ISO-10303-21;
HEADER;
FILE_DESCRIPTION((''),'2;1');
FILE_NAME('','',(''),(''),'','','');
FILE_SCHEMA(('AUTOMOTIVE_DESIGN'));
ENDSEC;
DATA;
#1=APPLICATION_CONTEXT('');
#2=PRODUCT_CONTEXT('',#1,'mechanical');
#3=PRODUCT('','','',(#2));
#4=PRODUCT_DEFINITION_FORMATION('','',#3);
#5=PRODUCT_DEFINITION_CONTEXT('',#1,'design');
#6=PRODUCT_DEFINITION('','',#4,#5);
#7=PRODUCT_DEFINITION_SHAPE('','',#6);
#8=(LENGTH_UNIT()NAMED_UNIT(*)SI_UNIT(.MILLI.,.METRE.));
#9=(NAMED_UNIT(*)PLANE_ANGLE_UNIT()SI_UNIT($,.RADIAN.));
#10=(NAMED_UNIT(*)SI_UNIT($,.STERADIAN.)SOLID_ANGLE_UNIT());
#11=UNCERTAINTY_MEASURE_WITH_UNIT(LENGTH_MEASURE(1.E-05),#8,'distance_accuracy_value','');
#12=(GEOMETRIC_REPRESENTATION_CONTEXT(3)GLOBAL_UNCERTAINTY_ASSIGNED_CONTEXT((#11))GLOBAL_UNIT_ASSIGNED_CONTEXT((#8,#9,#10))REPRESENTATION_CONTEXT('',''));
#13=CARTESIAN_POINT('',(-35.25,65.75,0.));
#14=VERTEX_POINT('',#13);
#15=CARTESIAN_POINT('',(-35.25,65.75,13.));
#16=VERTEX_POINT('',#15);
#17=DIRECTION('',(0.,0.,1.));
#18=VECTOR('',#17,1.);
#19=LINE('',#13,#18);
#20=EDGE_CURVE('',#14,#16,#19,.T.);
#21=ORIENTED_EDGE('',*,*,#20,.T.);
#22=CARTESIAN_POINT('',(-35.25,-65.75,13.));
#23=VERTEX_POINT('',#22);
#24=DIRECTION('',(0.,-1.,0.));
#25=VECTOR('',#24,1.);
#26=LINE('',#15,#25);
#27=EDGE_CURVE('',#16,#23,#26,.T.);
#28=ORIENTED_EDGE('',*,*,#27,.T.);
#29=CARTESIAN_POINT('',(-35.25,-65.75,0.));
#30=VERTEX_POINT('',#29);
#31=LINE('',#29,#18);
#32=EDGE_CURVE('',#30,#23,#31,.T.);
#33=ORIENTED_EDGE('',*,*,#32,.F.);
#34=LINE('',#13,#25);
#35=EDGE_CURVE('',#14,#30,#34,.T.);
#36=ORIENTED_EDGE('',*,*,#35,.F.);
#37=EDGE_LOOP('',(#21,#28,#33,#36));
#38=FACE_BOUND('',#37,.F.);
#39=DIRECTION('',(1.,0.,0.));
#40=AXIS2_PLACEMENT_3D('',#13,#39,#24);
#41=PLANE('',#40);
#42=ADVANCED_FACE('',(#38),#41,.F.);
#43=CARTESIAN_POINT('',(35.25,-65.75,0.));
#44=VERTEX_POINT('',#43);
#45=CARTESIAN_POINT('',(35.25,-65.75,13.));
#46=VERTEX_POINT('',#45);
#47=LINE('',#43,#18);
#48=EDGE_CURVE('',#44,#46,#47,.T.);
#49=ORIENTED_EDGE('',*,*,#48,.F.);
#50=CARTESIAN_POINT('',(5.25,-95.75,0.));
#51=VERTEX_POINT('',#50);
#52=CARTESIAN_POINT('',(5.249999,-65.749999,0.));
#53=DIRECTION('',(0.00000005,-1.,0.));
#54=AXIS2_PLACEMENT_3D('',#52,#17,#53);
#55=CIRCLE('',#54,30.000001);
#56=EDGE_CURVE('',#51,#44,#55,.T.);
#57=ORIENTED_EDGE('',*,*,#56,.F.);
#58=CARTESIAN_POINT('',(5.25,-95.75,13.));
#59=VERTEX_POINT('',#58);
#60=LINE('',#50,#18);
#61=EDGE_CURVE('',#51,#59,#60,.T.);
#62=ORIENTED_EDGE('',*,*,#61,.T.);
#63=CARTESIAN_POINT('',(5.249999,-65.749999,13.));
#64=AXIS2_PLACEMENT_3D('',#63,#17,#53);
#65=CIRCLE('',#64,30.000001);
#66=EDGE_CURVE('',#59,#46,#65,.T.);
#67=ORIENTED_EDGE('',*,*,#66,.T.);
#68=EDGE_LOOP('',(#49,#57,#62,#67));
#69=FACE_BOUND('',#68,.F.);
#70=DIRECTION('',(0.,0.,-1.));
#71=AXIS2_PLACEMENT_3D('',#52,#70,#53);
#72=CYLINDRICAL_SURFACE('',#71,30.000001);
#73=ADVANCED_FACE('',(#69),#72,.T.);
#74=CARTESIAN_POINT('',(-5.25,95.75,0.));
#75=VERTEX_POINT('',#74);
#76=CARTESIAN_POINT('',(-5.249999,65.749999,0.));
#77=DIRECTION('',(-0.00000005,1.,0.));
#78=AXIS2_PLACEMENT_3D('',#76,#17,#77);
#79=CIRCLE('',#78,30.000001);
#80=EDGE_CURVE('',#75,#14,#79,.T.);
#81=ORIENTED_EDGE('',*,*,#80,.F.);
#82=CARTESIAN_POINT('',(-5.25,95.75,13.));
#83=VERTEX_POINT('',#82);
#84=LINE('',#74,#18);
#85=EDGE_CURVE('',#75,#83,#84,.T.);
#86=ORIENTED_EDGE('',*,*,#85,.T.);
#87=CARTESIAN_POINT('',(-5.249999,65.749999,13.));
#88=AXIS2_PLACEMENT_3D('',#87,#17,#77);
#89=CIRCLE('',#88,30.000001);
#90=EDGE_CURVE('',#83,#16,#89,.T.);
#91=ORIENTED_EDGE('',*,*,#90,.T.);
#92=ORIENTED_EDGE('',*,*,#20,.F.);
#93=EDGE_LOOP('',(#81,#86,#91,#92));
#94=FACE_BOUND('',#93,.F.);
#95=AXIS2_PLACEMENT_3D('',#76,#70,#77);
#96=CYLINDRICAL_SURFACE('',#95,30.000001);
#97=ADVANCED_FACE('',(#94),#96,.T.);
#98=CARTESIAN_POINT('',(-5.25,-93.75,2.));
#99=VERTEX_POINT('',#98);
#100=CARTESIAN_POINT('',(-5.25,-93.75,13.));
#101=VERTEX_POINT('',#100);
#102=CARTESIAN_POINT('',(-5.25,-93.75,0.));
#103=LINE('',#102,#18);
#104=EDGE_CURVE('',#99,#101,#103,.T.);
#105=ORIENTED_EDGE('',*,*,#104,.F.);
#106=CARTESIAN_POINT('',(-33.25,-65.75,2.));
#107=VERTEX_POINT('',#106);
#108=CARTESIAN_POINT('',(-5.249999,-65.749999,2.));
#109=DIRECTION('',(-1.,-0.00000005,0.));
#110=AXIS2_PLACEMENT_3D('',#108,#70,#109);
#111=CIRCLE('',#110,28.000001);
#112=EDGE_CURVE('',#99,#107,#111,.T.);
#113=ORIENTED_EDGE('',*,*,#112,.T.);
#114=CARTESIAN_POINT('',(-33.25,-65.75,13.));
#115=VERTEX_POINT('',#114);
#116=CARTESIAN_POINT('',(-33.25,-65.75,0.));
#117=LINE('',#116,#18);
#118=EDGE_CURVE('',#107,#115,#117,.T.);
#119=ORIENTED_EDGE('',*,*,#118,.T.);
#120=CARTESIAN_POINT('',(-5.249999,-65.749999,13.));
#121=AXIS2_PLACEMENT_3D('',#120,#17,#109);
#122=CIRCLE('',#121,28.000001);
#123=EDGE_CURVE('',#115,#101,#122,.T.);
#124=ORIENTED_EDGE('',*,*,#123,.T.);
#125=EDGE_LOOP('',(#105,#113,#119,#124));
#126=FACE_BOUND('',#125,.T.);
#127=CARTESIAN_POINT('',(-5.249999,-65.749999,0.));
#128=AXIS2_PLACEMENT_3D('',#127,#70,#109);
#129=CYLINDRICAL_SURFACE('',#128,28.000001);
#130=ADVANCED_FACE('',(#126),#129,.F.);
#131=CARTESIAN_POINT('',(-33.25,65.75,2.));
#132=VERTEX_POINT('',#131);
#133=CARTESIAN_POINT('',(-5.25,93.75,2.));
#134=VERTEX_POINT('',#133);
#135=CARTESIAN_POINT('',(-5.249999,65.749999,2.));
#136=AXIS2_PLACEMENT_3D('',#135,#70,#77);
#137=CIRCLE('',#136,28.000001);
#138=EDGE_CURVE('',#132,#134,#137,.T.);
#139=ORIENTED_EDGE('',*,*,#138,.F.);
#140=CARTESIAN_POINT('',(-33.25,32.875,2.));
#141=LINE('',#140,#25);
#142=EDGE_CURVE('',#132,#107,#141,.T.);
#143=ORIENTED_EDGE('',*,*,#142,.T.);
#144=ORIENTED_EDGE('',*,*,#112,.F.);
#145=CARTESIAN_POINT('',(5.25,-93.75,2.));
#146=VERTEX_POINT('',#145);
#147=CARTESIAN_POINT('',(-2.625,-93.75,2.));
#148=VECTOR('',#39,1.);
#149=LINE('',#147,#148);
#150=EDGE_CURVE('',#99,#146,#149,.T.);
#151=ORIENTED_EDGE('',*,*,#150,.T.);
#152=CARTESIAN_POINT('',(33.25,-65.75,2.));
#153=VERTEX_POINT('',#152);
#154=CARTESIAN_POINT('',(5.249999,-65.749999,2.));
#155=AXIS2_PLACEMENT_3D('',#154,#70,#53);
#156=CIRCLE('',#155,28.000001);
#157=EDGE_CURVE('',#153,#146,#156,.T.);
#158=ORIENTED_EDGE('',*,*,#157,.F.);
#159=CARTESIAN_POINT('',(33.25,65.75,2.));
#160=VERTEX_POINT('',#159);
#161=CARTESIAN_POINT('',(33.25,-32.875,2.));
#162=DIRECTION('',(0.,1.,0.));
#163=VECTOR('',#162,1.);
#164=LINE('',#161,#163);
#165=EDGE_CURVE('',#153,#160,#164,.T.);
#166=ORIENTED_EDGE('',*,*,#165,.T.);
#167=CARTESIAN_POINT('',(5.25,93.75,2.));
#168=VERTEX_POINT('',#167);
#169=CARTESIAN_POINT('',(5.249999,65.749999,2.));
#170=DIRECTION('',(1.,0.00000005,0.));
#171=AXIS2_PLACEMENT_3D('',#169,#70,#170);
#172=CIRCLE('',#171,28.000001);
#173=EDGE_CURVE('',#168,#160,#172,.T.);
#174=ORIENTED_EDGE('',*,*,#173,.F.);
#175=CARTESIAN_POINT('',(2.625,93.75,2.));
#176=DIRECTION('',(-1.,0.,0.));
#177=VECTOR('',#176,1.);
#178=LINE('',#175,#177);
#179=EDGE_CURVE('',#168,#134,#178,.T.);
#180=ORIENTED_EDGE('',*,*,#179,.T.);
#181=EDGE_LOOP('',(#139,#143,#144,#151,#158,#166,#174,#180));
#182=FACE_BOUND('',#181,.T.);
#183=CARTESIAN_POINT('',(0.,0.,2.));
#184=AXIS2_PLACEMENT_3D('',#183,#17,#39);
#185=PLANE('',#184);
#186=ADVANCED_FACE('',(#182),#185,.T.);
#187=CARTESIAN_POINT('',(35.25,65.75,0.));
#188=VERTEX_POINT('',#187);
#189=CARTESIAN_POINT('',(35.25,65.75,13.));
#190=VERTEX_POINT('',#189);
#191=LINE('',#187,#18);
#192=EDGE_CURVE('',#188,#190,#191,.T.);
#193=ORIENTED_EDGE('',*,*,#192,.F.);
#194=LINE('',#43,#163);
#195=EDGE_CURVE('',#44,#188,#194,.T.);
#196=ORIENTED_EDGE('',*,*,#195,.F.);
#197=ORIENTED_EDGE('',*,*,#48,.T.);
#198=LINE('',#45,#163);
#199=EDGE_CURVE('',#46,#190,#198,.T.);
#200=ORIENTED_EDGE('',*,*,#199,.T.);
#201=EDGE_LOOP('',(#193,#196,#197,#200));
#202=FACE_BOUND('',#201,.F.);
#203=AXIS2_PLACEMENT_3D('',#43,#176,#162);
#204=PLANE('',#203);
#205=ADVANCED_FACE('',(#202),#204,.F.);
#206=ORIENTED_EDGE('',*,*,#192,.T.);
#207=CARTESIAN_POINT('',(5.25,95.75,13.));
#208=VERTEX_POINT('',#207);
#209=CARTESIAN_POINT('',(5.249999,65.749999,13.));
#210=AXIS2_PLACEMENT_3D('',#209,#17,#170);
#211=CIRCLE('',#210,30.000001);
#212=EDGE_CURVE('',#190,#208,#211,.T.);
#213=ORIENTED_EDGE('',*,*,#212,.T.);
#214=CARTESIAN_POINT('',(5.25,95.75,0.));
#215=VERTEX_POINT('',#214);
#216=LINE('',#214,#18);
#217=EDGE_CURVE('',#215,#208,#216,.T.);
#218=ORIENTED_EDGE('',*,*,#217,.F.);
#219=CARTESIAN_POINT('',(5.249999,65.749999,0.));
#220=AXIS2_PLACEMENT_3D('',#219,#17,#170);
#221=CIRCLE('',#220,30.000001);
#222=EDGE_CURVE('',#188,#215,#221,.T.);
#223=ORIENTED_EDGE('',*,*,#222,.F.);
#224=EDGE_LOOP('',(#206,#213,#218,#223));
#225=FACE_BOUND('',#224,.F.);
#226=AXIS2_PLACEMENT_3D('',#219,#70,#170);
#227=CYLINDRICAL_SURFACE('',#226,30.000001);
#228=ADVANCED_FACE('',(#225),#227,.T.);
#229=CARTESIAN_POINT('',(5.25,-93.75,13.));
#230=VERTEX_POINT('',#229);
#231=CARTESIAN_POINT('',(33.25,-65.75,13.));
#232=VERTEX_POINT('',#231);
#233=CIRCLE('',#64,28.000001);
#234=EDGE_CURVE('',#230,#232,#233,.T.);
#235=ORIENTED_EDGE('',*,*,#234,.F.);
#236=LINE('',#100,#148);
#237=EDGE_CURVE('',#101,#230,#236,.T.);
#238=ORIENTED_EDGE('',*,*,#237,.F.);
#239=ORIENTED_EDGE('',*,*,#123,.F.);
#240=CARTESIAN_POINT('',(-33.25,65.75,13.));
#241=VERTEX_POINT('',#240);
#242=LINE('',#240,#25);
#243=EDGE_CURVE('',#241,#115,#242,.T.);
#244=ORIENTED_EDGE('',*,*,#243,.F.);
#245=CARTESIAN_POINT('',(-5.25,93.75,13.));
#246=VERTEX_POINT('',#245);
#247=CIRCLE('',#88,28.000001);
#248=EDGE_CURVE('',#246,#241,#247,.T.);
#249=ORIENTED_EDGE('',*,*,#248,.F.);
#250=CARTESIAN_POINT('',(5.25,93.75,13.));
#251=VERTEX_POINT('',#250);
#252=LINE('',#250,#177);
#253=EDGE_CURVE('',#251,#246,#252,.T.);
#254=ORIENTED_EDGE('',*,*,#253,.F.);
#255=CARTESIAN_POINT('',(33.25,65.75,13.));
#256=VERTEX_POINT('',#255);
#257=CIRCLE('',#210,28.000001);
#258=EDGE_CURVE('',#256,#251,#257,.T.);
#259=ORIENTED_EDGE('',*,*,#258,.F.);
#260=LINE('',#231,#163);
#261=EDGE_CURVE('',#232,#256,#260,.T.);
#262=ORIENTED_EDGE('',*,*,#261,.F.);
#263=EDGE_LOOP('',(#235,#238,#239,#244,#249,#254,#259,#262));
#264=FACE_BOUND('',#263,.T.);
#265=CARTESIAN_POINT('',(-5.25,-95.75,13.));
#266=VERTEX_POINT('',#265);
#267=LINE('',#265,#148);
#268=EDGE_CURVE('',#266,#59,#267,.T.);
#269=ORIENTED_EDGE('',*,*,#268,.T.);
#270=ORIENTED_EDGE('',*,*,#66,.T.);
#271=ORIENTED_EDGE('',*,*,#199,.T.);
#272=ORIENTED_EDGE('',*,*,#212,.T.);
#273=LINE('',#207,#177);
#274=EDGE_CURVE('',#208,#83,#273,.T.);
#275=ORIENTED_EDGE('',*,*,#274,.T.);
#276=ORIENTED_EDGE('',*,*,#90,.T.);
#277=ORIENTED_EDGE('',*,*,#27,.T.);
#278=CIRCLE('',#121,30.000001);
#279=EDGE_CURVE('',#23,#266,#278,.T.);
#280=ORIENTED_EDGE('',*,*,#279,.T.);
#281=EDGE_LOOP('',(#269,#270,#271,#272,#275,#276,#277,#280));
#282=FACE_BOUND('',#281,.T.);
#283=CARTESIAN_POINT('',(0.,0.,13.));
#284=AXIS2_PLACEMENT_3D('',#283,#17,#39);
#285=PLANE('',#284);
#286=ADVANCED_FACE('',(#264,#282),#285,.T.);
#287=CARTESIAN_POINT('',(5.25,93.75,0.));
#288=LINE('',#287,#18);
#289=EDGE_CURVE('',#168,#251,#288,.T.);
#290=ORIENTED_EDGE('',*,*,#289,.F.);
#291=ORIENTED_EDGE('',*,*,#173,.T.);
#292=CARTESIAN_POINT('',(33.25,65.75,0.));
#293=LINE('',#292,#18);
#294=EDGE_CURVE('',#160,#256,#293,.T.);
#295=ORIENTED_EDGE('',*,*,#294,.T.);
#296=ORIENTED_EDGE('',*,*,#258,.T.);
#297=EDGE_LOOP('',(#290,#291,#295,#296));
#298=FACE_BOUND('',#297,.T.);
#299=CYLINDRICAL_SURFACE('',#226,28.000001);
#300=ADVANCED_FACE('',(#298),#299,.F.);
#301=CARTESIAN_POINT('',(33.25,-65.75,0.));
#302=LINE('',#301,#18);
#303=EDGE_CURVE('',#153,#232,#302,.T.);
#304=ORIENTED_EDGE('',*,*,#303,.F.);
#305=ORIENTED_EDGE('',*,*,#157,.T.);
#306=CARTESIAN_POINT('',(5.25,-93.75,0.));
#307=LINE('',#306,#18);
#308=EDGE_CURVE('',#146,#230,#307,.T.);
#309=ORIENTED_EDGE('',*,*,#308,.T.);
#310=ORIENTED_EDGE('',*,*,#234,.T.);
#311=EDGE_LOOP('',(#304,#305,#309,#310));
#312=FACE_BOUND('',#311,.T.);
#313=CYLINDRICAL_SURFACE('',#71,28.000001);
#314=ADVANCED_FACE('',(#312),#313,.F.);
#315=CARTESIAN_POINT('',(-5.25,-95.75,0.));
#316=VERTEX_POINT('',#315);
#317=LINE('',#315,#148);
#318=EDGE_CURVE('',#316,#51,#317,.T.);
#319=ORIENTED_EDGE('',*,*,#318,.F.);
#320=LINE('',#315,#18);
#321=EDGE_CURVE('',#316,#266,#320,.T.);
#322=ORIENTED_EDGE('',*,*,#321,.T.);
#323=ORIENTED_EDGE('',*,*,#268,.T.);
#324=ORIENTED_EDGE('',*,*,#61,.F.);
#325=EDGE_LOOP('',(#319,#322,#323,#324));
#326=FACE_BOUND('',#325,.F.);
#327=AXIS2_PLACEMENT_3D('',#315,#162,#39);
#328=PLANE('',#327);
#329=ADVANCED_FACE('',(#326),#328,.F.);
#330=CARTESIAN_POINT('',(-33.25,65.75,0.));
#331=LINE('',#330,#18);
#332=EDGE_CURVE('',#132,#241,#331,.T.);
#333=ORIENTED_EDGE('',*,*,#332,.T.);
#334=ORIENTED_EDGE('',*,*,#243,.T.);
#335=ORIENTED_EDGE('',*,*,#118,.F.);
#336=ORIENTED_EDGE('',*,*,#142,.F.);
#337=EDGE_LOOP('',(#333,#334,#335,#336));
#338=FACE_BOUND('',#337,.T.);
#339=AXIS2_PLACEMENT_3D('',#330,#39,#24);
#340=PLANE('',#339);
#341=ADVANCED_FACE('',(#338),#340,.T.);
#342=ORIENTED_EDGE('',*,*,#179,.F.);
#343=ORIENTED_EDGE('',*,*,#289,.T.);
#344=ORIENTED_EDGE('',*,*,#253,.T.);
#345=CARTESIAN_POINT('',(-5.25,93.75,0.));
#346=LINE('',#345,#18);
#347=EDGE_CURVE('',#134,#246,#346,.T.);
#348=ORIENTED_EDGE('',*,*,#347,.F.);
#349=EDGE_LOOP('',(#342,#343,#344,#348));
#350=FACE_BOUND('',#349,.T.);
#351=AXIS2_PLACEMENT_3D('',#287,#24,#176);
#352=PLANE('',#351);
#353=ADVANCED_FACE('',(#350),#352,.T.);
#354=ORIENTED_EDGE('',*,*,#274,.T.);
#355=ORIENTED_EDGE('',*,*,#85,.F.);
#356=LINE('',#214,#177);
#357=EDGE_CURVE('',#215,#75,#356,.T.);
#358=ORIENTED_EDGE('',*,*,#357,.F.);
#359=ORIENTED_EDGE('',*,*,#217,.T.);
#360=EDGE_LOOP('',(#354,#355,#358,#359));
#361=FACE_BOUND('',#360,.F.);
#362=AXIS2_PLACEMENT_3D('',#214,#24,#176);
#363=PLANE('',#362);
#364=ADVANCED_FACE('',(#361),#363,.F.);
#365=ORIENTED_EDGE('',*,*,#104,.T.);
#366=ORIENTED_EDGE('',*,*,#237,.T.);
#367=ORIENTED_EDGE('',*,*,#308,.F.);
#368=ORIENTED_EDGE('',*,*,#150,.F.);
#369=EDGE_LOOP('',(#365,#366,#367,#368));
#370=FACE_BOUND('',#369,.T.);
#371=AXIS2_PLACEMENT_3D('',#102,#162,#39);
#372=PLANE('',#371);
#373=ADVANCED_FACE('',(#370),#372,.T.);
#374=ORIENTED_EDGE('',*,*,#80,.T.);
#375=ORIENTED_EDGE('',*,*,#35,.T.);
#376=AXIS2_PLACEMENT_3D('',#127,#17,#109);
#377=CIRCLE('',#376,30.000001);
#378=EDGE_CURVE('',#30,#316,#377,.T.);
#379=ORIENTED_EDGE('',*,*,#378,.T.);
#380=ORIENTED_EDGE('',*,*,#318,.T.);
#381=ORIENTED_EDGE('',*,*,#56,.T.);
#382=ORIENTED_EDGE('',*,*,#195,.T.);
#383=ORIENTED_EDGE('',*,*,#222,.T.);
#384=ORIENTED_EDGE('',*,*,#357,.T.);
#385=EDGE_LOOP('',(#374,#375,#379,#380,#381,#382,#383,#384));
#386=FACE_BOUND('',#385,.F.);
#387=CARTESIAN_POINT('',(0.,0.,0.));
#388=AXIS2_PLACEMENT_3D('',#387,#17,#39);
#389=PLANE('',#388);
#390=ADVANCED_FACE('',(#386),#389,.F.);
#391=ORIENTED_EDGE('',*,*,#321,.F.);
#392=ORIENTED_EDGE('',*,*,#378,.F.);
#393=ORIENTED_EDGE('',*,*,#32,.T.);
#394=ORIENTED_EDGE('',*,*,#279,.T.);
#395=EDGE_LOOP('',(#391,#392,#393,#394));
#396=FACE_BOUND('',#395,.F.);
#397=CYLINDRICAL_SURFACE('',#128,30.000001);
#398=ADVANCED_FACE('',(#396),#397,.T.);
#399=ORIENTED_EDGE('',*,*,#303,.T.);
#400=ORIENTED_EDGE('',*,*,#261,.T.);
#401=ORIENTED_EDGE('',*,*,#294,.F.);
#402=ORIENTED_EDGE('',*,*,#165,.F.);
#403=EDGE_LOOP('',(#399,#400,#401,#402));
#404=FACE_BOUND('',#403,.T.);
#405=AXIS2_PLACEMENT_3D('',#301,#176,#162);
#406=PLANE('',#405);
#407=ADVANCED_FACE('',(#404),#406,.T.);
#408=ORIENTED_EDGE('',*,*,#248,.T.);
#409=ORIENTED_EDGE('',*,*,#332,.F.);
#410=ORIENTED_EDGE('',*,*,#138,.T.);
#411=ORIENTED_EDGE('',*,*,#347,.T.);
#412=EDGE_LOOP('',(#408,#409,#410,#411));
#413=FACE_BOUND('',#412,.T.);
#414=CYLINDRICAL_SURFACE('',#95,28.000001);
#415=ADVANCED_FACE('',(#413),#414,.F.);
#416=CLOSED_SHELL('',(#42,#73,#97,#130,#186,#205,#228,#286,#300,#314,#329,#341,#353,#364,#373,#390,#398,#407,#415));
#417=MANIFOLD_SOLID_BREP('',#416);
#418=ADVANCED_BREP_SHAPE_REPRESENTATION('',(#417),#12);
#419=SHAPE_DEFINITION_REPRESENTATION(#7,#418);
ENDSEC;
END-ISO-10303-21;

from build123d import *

# Parameters (mm, degrees)
F1_DEPTH = 13
F2_T     = -2


with BuildPart() as f1:
    # F0 (on Top) → F1 (new body)
    with BuildSketch(Plane.XY):
        with BuildLine():
            Line((5.25, 95.75), (-5.25, 95.75))
            ThreePointArc((-5.25, 95.75), (-26.463203, 86.963203), (-35.25, 65.75))
            Line((-35.25, 65.75), (-35.25, -65.75))
            ThreePointArc((-35.25, -65.75), (-26.463203, -86.963203), (-5.25, -95.75))
            Line((-5.25, -95.75), (5.25, -95.75))
            ThreePointArc((5.25, -95.75), (26.463203, -86.963203), (35.25, -65.75))
            Line((35.25, -65.75), (35.25, 65.75))
            ThreePointArc((35.25, 65.75), (26.463203, 86.963203), (5.25, 95.75))
        make_face()
    extrude(amount=F1_DEPTH)

    # F2
    f2_openings = [f1.faces().sort_by_distance(p)[0] for p in [
        (0, 0, 13),
    ]]
    offset(amount=F2_T, openings=f2_openings)


solid = f1.part
